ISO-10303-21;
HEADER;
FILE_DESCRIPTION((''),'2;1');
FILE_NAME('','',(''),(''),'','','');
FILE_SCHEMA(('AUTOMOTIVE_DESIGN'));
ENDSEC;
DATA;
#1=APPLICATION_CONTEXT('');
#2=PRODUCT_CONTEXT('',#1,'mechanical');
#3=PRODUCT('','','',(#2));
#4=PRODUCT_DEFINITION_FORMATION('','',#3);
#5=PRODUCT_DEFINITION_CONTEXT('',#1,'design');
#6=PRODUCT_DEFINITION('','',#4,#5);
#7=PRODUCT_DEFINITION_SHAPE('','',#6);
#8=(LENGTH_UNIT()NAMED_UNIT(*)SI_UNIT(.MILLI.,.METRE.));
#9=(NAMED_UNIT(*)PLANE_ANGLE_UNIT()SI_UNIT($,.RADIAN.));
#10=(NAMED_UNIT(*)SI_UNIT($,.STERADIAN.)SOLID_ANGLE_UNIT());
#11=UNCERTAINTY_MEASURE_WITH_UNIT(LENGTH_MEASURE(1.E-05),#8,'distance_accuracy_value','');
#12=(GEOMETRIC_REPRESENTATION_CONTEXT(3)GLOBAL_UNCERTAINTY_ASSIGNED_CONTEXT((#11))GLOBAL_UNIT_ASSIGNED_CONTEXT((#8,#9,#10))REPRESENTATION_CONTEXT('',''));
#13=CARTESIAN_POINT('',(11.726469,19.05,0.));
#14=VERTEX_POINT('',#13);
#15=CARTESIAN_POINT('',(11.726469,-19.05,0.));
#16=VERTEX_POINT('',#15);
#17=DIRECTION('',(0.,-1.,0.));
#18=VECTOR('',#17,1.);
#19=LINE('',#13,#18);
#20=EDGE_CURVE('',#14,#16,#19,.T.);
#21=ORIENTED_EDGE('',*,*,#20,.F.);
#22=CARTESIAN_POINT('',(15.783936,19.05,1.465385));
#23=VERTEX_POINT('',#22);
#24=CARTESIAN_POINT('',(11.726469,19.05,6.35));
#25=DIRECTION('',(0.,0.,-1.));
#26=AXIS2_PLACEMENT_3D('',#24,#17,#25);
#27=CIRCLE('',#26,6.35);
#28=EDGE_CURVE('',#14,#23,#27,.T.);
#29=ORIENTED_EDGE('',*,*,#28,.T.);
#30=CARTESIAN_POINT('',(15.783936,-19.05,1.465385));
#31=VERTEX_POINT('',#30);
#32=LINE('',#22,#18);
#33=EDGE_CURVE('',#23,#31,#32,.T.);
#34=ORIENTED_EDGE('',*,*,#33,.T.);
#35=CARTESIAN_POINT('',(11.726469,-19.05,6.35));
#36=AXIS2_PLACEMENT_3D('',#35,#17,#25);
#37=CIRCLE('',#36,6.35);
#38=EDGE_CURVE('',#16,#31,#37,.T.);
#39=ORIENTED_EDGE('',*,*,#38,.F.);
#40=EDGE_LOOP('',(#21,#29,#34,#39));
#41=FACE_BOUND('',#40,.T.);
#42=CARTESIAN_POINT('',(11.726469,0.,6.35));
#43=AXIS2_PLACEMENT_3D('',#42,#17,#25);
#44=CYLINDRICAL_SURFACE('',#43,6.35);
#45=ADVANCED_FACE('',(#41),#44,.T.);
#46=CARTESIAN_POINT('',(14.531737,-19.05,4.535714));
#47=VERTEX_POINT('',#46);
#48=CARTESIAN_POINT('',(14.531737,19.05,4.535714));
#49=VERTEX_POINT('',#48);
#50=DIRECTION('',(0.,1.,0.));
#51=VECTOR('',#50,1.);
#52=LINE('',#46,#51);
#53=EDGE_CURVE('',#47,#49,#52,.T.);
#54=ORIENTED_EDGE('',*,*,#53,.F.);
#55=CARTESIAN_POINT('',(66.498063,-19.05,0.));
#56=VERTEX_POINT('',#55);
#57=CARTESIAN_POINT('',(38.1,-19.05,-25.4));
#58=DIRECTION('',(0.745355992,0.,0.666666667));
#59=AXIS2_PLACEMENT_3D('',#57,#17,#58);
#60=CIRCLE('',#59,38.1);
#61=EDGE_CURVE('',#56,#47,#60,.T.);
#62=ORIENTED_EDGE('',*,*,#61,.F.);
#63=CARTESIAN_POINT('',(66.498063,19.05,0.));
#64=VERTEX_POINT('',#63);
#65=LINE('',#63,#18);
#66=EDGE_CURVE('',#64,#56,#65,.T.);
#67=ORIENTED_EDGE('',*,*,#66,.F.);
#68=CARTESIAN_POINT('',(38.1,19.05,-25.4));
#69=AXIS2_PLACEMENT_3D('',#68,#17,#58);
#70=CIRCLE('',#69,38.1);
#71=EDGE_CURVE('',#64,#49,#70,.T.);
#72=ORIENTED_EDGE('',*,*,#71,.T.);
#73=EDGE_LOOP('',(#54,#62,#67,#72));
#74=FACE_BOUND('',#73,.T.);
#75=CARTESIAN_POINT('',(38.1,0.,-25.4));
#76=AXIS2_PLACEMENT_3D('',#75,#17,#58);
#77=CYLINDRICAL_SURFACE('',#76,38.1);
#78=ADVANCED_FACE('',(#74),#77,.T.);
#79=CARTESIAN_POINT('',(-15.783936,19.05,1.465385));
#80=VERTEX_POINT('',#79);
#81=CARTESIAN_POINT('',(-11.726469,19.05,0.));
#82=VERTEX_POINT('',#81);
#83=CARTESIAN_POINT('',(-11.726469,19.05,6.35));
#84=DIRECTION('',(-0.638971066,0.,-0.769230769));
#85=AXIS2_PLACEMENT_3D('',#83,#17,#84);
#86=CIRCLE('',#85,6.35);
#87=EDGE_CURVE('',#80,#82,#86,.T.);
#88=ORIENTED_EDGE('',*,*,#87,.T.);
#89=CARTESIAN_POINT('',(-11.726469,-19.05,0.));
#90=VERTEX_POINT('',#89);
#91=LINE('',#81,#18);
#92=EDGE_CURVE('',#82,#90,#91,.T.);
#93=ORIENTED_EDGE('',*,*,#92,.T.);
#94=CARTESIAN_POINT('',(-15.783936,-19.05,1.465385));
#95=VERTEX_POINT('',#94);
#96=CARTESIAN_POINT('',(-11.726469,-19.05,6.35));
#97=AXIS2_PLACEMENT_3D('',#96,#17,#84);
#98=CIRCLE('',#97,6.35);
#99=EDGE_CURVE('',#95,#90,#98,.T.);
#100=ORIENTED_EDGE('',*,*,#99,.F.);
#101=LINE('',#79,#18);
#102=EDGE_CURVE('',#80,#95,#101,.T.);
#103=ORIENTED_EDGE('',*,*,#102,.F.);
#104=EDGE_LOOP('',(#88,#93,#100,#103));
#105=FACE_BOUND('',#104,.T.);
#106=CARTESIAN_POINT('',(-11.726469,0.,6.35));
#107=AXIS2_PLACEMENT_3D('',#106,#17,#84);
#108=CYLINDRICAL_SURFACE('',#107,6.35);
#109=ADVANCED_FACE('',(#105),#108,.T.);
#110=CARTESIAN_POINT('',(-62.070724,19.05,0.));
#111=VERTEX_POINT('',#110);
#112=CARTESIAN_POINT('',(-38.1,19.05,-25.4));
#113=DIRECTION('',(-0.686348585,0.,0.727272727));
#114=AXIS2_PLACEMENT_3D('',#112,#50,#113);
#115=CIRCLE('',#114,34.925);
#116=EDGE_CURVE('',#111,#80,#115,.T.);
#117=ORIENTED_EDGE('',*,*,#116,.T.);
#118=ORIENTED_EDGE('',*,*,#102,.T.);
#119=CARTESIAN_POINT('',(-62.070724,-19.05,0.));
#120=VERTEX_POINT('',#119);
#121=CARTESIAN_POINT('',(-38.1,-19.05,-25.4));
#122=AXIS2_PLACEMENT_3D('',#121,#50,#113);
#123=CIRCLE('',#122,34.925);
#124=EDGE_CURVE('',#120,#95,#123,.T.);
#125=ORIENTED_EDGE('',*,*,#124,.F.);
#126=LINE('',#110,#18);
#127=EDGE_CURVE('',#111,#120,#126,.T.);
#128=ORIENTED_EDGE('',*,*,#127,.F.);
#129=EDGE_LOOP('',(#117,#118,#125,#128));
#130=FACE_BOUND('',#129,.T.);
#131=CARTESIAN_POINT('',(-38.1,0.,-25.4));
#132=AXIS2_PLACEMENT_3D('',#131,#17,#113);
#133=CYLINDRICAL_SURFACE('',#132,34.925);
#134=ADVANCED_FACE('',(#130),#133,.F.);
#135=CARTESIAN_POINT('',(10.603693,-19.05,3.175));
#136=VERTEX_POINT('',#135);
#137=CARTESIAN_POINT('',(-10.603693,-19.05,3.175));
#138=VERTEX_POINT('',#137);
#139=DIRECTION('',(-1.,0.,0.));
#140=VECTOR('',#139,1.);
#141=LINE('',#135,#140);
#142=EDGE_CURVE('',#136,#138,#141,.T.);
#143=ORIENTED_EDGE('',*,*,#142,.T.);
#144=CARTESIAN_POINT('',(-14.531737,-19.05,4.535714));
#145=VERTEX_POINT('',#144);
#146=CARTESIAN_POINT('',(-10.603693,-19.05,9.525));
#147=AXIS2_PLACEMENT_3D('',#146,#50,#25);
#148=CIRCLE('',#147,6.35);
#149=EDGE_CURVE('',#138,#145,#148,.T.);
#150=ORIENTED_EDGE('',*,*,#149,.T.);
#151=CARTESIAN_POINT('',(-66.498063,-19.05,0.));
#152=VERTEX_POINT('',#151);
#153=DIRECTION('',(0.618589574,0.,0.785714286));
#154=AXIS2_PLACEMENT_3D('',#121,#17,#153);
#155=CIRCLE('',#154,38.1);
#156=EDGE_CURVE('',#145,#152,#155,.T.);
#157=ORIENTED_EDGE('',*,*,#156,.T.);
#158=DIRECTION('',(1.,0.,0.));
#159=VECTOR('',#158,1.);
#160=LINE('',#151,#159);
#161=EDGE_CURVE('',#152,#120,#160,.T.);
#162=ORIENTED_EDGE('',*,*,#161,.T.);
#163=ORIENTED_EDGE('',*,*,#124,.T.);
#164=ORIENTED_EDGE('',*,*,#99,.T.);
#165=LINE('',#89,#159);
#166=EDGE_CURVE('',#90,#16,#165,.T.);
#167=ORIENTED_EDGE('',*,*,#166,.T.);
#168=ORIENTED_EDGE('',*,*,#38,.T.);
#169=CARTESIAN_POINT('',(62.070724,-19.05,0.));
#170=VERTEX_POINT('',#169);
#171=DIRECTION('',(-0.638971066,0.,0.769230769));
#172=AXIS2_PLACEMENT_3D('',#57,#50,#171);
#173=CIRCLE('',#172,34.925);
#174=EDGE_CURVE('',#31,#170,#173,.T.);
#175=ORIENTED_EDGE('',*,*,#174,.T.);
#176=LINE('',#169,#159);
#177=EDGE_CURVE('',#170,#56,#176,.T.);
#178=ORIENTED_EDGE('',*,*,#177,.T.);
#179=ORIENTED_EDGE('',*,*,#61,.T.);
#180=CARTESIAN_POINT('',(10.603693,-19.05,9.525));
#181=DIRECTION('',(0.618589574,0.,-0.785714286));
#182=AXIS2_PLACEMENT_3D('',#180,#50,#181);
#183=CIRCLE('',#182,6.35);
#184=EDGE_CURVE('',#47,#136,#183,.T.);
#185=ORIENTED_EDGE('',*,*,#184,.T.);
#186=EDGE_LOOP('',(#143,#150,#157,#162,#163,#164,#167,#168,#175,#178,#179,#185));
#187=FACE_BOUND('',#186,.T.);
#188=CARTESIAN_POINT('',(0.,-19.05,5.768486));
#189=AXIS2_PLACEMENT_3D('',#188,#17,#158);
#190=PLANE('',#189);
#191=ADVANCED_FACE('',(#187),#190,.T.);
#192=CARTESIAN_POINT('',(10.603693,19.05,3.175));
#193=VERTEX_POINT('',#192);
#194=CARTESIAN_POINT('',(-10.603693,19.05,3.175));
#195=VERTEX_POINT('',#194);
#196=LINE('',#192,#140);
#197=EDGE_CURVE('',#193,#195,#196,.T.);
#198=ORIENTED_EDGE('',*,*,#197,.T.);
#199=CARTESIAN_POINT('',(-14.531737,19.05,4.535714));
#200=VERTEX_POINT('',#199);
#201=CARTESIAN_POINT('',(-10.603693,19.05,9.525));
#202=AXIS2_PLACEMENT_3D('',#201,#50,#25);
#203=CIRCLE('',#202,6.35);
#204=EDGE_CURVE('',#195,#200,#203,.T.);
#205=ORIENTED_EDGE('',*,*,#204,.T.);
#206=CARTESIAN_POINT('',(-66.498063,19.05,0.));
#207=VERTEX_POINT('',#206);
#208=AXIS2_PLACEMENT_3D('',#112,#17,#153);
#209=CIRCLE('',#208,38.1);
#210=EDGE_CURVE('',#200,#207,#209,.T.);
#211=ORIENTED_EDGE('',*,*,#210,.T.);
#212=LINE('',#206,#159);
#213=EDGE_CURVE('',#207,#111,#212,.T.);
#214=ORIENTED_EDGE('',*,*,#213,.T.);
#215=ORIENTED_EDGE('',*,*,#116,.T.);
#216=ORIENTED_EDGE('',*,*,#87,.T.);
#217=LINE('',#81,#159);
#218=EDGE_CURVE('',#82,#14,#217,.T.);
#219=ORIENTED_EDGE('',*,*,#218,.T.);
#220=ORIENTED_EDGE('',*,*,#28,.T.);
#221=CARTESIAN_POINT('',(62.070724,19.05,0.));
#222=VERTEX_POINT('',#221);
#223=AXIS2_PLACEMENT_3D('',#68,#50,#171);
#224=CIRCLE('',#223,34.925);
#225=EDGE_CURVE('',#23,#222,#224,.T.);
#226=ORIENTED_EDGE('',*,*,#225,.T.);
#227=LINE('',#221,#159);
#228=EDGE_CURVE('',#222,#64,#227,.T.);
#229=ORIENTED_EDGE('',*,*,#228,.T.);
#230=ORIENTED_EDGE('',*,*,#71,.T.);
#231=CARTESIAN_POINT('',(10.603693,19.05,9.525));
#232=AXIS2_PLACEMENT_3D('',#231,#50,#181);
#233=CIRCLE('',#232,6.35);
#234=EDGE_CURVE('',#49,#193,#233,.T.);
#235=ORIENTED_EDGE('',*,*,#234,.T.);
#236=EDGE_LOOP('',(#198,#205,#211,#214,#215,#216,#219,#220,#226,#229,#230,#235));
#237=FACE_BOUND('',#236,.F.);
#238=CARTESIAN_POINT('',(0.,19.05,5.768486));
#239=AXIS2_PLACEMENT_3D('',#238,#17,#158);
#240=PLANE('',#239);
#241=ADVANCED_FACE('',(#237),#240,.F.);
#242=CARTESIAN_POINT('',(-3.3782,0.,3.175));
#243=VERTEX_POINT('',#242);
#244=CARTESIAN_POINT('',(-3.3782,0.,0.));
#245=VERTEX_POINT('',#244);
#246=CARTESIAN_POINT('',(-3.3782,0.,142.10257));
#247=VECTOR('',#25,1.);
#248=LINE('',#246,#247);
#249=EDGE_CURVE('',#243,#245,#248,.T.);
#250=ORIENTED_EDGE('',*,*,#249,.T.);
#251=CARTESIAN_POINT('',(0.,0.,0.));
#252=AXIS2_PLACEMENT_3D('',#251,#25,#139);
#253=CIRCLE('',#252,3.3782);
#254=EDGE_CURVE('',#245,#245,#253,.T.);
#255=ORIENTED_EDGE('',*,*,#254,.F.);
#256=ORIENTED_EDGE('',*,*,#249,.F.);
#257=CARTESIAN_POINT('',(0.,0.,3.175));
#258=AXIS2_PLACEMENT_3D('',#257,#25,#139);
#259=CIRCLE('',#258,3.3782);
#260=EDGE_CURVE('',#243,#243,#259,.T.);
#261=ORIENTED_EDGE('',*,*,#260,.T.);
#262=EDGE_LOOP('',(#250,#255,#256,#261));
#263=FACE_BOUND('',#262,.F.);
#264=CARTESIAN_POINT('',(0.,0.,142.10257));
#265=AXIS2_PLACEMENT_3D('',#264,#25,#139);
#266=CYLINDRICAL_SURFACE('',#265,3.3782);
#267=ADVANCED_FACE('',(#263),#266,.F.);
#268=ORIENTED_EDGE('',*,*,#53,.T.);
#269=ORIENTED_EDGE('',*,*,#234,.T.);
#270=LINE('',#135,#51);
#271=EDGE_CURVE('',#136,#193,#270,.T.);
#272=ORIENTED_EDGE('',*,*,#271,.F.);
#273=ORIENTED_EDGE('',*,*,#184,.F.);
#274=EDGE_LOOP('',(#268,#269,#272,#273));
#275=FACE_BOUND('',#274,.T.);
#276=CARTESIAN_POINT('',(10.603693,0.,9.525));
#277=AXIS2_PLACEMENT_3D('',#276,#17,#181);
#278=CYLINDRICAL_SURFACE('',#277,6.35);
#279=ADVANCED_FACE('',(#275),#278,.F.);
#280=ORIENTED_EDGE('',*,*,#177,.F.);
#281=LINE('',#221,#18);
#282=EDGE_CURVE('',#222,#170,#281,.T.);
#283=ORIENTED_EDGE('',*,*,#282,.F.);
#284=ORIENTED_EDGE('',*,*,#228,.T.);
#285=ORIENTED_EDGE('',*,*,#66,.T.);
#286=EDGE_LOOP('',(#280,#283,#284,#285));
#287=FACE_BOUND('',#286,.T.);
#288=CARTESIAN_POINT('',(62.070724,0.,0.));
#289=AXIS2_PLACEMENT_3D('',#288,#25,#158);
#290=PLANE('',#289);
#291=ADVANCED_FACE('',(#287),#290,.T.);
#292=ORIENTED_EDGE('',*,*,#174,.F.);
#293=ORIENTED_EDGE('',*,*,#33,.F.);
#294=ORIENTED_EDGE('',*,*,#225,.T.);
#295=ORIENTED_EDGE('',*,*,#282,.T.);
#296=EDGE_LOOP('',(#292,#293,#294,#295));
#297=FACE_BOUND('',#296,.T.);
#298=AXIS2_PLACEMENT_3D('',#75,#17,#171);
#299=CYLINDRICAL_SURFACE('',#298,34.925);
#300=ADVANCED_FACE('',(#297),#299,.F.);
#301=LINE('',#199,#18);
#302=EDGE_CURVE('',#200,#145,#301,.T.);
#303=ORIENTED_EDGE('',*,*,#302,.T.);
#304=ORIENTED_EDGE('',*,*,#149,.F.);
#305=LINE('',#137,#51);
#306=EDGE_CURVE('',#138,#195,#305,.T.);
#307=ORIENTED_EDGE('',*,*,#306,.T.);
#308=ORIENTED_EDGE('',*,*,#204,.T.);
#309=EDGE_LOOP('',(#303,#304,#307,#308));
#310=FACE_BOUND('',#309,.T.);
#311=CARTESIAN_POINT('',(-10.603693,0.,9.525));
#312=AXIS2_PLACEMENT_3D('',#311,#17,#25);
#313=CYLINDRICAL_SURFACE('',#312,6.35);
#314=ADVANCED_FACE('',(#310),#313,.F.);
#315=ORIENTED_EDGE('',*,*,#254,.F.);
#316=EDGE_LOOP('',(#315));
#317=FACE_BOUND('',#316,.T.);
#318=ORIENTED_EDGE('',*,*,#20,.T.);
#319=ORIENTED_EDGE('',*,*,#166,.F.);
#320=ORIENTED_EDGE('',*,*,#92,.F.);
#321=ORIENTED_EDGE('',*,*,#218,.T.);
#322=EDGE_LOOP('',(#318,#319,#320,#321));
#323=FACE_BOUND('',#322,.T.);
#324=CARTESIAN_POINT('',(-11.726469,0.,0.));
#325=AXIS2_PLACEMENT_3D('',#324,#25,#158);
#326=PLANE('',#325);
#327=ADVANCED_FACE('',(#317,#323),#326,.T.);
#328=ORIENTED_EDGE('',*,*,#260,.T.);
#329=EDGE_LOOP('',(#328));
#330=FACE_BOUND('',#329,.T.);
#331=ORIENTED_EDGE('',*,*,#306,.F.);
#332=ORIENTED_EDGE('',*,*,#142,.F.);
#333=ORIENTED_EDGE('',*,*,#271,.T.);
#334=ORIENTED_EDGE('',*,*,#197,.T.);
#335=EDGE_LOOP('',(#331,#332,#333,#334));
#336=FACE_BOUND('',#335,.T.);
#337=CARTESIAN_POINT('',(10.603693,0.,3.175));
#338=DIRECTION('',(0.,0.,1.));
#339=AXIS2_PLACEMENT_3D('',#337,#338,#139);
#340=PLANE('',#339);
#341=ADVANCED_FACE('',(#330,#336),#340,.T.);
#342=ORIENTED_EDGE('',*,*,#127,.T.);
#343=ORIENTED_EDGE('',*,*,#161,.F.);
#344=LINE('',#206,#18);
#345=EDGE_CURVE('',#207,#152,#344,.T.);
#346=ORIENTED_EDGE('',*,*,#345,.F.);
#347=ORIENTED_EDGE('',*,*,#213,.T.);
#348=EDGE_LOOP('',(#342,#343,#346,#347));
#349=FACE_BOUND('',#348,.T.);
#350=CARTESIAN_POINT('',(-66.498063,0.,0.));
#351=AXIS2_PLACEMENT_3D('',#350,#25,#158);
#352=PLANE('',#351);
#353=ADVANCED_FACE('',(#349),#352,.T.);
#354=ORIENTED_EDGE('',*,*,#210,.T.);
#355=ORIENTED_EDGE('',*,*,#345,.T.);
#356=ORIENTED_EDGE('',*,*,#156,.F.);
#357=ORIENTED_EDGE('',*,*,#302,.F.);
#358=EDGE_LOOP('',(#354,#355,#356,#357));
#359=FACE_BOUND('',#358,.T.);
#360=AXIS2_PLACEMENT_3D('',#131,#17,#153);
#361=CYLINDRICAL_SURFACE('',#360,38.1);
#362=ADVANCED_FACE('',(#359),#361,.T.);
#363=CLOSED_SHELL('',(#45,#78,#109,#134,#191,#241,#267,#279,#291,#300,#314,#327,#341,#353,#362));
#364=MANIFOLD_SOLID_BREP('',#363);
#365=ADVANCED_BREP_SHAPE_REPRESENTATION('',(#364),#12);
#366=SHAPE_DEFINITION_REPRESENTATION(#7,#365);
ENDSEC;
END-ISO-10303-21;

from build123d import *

# Parameters (mm, degrees)
F1_DEPTH = 19.05
F3_D     = 6.7564


with BuildPart() as f1:
    # F0 (on Front) → F1 (new body, symmetric)
    with BuildSketch(Plane.XZ):
        with BuildLine():
            ThreePointArc((-10.6036934298, 3.175), (-12.6822188343, 3.524813991), (-14.5317372256, 4.5357142857))
            ThreePointArc((-14.5317372256, 4.5357142857), (-41.41284158, 12.5556989221), (-66.4980633142, 0))
            Line((-66.4980633142, 0), (-62.070724332, 0))
            ThreePointArc((-62.070724332, 0), (-39.2051302246, 9.5075108277), (-15.7839355067, 1.4653846154))
            ThreePointArc((-15.7839355067, 1.4653846154), (-13.8834569853, 0.3775713612), (-11.7264692352, 0))
            Line((-11.7264692352, 0), (11.7264692352, 0))
            ThreePointArc((11.7264692352, 0), (13.8834569853, 0.3775713612), (15.7839355067, 1.4653846154))
            ThreePointArc((15.7839355067, 1.4653846154), (39.2051302246, 9.5075108277), (62.070724332, 0))
            Line((62.070724332, 0), (66.4980633142, 0))
            ThreePointArc((66.4980633142, 0), (41.41284158, 12.5556989221), (14.5317372256, 4.5357142857))
            ThreePointArc((14.5317372256, 4.5357142857), (12.6822188343, 3.524813991), (10.6036934298, 3.175))
            Line((10.6036934298, 3.175), (-10.6036934298, 3.175))
        make_face()
    extrude(amount=F1_DEPTH, both=True)

    # F3 (through all)
    with Locations(Plane.XY.offset(3.175)):
        with Locations((0, 0)):
            Hole(F3_D / 2)


solid = f1.part
